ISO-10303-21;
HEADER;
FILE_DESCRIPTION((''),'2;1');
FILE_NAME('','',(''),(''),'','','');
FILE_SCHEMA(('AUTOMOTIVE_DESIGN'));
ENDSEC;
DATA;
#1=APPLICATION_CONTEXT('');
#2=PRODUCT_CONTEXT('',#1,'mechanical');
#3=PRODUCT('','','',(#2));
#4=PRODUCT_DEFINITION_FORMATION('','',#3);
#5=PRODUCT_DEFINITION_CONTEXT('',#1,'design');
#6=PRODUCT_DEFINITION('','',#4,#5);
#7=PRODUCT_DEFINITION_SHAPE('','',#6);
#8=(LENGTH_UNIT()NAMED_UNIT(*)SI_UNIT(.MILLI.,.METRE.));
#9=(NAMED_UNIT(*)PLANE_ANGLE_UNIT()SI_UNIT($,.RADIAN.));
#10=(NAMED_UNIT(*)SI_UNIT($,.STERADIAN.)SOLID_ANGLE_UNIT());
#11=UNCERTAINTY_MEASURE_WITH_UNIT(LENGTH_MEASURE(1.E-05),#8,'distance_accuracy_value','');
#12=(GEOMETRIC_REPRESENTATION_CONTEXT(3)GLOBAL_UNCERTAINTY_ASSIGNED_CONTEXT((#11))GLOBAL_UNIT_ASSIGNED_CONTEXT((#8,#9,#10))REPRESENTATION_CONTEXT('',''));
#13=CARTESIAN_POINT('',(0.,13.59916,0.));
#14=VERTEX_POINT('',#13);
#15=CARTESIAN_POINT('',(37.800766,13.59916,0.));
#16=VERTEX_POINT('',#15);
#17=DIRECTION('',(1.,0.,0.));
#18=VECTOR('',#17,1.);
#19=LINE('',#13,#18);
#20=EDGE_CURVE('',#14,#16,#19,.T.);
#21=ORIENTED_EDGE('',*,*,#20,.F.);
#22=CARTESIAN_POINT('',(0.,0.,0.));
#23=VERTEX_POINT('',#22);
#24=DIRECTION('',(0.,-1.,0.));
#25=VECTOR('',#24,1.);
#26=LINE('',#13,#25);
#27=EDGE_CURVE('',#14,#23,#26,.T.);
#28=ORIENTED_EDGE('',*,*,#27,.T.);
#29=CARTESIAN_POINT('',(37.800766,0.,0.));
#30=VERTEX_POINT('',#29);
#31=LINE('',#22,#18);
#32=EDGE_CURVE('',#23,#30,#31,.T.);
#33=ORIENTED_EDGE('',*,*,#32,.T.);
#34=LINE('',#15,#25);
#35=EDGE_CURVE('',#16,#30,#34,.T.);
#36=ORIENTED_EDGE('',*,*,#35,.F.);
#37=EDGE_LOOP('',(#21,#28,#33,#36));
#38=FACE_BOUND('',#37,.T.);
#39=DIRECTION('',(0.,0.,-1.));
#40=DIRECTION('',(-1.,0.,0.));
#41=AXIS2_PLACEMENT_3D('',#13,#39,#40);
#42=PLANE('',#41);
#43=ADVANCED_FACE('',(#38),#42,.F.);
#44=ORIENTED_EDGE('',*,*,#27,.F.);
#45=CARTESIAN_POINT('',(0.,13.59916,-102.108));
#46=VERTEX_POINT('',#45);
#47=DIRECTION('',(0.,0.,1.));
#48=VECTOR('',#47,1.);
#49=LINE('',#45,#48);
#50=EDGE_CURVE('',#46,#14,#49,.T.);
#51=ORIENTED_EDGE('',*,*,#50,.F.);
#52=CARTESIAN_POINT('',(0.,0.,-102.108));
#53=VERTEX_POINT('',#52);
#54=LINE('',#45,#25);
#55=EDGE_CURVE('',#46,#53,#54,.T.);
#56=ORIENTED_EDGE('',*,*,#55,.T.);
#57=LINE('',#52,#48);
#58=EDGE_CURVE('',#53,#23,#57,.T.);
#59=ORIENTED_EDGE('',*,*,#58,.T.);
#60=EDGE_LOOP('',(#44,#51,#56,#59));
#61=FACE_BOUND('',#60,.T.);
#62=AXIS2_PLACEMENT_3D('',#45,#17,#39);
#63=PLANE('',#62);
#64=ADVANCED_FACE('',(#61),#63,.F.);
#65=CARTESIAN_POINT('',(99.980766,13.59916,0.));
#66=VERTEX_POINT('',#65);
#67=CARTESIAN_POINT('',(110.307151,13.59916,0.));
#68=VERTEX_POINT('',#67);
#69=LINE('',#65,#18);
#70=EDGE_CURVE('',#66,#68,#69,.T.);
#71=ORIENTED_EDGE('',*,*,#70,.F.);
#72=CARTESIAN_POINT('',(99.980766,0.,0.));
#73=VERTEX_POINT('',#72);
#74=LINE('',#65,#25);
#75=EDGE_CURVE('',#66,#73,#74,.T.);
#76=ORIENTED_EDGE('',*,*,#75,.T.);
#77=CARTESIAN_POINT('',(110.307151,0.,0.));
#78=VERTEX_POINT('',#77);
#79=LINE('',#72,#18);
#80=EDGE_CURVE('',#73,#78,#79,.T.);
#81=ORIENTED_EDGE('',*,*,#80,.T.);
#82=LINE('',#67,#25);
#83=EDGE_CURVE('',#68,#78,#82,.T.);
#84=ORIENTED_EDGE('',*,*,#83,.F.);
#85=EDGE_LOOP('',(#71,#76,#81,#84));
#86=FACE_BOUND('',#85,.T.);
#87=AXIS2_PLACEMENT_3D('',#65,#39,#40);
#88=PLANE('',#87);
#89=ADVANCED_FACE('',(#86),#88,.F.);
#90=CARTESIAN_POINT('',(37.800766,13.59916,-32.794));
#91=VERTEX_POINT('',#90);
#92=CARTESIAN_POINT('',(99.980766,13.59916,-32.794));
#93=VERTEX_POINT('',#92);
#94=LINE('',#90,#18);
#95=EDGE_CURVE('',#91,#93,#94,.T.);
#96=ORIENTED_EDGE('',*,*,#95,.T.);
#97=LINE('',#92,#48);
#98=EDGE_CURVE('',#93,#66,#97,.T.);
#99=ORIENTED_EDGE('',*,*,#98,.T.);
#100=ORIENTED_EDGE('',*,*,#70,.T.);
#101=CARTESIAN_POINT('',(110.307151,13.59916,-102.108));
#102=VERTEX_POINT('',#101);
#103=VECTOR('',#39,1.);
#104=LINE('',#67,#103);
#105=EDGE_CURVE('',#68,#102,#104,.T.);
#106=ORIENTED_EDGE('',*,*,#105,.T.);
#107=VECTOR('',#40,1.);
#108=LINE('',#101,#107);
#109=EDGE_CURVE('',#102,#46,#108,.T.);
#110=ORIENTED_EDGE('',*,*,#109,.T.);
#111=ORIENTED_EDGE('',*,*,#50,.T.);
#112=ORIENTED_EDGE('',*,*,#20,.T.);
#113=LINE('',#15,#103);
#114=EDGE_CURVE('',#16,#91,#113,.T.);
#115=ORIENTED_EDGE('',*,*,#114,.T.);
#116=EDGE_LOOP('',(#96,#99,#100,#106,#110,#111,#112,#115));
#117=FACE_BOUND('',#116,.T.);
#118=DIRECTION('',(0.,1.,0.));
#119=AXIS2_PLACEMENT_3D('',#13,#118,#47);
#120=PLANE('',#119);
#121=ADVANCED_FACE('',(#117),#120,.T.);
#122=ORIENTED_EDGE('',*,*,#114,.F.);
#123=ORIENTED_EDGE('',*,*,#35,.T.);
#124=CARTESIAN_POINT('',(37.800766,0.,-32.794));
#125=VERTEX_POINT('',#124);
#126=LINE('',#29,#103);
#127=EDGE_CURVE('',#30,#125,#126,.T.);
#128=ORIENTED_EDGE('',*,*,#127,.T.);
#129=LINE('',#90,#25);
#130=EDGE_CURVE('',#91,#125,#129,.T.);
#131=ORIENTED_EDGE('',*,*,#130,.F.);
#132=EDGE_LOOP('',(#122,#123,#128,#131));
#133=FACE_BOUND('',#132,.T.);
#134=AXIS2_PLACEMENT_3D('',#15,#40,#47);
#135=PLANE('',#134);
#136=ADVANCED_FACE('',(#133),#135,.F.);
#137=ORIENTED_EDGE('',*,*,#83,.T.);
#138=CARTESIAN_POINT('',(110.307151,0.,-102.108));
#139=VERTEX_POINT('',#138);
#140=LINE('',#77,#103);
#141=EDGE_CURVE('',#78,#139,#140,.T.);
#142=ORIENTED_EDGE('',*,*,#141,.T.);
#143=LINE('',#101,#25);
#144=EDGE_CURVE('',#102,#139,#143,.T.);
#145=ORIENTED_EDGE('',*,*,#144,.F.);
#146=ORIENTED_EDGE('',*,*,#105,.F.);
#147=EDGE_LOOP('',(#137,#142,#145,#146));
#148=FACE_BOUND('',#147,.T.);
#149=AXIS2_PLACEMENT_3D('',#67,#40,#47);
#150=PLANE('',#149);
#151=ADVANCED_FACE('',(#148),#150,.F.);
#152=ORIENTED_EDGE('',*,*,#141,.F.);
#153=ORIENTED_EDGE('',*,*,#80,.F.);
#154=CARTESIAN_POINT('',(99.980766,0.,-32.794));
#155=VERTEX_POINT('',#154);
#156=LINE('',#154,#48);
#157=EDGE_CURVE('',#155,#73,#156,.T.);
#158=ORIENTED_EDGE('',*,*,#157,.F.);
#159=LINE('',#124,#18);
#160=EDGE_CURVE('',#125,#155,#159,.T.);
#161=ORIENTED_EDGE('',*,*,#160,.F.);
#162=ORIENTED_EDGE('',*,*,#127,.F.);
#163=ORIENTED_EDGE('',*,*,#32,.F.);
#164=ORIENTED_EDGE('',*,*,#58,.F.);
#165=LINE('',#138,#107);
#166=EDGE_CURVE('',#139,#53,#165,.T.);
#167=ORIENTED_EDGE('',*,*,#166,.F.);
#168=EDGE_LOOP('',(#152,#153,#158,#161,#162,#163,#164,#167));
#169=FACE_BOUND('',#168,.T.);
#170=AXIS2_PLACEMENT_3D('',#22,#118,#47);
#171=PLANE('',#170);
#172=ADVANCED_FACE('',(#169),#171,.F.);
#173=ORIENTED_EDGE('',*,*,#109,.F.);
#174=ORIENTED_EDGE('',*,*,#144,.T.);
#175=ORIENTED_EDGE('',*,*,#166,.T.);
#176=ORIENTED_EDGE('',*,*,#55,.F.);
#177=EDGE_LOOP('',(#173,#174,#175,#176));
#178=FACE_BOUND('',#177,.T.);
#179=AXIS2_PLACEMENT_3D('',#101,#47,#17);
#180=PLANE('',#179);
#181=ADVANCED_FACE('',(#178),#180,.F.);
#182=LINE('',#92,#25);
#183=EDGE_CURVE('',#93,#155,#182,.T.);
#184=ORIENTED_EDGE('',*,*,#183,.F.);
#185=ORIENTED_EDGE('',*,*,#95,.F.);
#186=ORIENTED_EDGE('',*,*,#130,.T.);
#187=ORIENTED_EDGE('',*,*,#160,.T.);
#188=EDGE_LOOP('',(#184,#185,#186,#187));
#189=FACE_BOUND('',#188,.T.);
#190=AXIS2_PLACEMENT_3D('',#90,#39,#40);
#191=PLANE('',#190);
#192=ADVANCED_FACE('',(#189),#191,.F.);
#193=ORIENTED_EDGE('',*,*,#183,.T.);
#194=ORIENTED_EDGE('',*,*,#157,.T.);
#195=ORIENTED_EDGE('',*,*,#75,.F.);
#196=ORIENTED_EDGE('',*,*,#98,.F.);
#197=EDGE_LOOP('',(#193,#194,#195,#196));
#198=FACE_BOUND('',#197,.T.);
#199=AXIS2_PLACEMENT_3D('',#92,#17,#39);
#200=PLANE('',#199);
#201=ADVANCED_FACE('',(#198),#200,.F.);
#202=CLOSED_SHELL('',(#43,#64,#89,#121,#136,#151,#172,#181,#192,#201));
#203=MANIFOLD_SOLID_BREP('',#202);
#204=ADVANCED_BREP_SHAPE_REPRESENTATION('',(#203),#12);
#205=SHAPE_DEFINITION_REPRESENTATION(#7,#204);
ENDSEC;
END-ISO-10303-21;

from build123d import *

# Parameters (mm, degrees)
BOSS_EXTRUDE1_DEPTH = 13.59916


with BuildPart() as part:
    # Sketch1 → Boss-Extrude1 (new body)
    with BuildSketch(Plane(origin=(0, 0, 0), x_dir=(1, 0, 0), z_dir=(0, 1, 0))):
        Polygon((110.307151448, 0), (110.307151448, 102.108), (0, 102.108), (0, 0), (37.800765592, 0), (37.800765592, 32.794), (99.980765724, 32.794), (99.980765724, 0), align=None)
    extrude(amount=BOSS_EXTRUDE1_DEPTH)


solid = part.part
